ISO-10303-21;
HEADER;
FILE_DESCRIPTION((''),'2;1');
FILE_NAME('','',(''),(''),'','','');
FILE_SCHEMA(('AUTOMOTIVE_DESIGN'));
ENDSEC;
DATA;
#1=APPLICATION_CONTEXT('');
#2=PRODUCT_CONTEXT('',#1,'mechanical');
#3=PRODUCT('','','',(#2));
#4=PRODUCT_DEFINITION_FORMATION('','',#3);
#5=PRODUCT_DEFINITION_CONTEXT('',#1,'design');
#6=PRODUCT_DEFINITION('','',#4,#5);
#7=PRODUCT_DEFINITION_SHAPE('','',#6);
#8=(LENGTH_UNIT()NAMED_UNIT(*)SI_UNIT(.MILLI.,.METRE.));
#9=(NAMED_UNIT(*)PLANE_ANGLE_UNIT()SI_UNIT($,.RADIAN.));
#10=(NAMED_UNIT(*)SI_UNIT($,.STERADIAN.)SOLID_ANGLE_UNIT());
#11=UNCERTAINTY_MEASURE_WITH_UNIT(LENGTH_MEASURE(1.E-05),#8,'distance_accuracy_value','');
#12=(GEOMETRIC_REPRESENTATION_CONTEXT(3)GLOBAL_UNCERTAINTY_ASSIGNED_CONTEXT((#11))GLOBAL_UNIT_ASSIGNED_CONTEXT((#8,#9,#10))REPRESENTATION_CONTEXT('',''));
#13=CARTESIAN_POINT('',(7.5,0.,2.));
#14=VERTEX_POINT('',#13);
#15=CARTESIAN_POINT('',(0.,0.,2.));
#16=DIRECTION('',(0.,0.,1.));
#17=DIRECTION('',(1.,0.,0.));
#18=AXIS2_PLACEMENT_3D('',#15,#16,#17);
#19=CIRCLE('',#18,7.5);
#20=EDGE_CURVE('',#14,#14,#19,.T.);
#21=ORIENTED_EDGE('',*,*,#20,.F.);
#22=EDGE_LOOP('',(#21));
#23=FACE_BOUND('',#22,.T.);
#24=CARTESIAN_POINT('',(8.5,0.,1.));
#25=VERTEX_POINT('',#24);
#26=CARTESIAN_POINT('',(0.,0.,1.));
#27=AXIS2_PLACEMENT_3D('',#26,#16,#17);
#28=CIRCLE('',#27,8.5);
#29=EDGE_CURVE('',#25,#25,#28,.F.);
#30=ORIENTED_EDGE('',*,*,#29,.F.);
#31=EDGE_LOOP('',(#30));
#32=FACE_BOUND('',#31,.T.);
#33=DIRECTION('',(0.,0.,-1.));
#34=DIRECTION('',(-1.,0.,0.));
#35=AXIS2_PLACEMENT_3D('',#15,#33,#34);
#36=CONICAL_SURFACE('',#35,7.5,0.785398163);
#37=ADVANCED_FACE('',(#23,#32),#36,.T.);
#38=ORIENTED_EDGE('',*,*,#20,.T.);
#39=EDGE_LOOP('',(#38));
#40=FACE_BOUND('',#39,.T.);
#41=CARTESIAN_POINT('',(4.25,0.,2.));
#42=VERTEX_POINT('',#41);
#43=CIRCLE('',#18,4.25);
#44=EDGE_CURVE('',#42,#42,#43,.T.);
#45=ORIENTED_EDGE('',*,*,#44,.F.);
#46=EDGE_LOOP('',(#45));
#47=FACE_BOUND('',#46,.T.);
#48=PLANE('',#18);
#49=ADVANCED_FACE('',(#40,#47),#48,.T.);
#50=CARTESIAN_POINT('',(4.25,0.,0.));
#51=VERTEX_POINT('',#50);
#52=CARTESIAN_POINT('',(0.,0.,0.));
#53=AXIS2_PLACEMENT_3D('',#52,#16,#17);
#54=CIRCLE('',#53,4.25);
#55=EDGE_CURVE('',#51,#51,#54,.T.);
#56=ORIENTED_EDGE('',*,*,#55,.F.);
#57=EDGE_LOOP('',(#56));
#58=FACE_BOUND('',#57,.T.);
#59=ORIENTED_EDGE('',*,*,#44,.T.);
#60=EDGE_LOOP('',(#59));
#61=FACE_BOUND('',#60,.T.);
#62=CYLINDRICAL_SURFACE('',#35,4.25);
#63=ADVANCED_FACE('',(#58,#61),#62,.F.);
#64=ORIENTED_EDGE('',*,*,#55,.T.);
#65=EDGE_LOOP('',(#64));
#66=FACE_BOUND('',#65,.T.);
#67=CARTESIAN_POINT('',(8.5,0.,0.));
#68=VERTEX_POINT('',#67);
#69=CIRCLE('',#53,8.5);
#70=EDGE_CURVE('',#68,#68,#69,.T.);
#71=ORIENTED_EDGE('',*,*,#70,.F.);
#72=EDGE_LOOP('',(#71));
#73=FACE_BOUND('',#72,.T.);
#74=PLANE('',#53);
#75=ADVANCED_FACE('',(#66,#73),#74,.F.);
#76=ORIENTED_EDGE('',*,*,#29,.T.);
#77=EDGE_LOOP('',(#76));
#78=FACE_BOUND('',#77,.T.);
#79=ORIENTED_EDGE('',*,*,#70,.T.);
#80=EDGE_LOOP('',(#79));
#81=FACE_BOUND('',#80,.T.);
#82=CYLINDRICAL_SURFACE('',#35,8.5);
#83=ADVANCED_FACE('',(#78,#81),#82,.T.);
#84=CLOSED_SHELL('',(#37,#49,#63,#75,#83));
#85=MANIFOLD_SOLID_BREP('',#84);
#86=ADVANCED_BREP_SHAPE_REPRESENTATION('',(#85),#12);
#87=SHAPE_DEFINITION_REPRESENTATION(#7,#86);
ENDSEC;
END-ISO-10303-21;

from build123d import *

# Parameters (mm, degrees)
CROQUIS1_R              = 8.5
CROQUIS1_R_2            = 4.25
SALIENTE_EXTRUIR1_DEPTH = 2
CHAFL_N1_SIZE           = 1


with BuildPart() as part:
    # Croquis1 → Saliente-Extruir1 (new body)
    with BuildSketch(Plane.XY):
        Circle(CROQUIS1_R)
        Circle(CROQUIS1_R_2, mode=Mode.SUBTRACT)
    extrude(amount=SALIENTE_EXTRUIR1_DEPTH)

    # Chaflán1
    chafl_n1_edges = [part.edges().sort_by_distance(p)[0] for p in [
        (-8.5, 0, 2),
    ]]
    chamfer(chafl_n1_edges, length=CHAFL_N1_SIZE)


solid = part.part
